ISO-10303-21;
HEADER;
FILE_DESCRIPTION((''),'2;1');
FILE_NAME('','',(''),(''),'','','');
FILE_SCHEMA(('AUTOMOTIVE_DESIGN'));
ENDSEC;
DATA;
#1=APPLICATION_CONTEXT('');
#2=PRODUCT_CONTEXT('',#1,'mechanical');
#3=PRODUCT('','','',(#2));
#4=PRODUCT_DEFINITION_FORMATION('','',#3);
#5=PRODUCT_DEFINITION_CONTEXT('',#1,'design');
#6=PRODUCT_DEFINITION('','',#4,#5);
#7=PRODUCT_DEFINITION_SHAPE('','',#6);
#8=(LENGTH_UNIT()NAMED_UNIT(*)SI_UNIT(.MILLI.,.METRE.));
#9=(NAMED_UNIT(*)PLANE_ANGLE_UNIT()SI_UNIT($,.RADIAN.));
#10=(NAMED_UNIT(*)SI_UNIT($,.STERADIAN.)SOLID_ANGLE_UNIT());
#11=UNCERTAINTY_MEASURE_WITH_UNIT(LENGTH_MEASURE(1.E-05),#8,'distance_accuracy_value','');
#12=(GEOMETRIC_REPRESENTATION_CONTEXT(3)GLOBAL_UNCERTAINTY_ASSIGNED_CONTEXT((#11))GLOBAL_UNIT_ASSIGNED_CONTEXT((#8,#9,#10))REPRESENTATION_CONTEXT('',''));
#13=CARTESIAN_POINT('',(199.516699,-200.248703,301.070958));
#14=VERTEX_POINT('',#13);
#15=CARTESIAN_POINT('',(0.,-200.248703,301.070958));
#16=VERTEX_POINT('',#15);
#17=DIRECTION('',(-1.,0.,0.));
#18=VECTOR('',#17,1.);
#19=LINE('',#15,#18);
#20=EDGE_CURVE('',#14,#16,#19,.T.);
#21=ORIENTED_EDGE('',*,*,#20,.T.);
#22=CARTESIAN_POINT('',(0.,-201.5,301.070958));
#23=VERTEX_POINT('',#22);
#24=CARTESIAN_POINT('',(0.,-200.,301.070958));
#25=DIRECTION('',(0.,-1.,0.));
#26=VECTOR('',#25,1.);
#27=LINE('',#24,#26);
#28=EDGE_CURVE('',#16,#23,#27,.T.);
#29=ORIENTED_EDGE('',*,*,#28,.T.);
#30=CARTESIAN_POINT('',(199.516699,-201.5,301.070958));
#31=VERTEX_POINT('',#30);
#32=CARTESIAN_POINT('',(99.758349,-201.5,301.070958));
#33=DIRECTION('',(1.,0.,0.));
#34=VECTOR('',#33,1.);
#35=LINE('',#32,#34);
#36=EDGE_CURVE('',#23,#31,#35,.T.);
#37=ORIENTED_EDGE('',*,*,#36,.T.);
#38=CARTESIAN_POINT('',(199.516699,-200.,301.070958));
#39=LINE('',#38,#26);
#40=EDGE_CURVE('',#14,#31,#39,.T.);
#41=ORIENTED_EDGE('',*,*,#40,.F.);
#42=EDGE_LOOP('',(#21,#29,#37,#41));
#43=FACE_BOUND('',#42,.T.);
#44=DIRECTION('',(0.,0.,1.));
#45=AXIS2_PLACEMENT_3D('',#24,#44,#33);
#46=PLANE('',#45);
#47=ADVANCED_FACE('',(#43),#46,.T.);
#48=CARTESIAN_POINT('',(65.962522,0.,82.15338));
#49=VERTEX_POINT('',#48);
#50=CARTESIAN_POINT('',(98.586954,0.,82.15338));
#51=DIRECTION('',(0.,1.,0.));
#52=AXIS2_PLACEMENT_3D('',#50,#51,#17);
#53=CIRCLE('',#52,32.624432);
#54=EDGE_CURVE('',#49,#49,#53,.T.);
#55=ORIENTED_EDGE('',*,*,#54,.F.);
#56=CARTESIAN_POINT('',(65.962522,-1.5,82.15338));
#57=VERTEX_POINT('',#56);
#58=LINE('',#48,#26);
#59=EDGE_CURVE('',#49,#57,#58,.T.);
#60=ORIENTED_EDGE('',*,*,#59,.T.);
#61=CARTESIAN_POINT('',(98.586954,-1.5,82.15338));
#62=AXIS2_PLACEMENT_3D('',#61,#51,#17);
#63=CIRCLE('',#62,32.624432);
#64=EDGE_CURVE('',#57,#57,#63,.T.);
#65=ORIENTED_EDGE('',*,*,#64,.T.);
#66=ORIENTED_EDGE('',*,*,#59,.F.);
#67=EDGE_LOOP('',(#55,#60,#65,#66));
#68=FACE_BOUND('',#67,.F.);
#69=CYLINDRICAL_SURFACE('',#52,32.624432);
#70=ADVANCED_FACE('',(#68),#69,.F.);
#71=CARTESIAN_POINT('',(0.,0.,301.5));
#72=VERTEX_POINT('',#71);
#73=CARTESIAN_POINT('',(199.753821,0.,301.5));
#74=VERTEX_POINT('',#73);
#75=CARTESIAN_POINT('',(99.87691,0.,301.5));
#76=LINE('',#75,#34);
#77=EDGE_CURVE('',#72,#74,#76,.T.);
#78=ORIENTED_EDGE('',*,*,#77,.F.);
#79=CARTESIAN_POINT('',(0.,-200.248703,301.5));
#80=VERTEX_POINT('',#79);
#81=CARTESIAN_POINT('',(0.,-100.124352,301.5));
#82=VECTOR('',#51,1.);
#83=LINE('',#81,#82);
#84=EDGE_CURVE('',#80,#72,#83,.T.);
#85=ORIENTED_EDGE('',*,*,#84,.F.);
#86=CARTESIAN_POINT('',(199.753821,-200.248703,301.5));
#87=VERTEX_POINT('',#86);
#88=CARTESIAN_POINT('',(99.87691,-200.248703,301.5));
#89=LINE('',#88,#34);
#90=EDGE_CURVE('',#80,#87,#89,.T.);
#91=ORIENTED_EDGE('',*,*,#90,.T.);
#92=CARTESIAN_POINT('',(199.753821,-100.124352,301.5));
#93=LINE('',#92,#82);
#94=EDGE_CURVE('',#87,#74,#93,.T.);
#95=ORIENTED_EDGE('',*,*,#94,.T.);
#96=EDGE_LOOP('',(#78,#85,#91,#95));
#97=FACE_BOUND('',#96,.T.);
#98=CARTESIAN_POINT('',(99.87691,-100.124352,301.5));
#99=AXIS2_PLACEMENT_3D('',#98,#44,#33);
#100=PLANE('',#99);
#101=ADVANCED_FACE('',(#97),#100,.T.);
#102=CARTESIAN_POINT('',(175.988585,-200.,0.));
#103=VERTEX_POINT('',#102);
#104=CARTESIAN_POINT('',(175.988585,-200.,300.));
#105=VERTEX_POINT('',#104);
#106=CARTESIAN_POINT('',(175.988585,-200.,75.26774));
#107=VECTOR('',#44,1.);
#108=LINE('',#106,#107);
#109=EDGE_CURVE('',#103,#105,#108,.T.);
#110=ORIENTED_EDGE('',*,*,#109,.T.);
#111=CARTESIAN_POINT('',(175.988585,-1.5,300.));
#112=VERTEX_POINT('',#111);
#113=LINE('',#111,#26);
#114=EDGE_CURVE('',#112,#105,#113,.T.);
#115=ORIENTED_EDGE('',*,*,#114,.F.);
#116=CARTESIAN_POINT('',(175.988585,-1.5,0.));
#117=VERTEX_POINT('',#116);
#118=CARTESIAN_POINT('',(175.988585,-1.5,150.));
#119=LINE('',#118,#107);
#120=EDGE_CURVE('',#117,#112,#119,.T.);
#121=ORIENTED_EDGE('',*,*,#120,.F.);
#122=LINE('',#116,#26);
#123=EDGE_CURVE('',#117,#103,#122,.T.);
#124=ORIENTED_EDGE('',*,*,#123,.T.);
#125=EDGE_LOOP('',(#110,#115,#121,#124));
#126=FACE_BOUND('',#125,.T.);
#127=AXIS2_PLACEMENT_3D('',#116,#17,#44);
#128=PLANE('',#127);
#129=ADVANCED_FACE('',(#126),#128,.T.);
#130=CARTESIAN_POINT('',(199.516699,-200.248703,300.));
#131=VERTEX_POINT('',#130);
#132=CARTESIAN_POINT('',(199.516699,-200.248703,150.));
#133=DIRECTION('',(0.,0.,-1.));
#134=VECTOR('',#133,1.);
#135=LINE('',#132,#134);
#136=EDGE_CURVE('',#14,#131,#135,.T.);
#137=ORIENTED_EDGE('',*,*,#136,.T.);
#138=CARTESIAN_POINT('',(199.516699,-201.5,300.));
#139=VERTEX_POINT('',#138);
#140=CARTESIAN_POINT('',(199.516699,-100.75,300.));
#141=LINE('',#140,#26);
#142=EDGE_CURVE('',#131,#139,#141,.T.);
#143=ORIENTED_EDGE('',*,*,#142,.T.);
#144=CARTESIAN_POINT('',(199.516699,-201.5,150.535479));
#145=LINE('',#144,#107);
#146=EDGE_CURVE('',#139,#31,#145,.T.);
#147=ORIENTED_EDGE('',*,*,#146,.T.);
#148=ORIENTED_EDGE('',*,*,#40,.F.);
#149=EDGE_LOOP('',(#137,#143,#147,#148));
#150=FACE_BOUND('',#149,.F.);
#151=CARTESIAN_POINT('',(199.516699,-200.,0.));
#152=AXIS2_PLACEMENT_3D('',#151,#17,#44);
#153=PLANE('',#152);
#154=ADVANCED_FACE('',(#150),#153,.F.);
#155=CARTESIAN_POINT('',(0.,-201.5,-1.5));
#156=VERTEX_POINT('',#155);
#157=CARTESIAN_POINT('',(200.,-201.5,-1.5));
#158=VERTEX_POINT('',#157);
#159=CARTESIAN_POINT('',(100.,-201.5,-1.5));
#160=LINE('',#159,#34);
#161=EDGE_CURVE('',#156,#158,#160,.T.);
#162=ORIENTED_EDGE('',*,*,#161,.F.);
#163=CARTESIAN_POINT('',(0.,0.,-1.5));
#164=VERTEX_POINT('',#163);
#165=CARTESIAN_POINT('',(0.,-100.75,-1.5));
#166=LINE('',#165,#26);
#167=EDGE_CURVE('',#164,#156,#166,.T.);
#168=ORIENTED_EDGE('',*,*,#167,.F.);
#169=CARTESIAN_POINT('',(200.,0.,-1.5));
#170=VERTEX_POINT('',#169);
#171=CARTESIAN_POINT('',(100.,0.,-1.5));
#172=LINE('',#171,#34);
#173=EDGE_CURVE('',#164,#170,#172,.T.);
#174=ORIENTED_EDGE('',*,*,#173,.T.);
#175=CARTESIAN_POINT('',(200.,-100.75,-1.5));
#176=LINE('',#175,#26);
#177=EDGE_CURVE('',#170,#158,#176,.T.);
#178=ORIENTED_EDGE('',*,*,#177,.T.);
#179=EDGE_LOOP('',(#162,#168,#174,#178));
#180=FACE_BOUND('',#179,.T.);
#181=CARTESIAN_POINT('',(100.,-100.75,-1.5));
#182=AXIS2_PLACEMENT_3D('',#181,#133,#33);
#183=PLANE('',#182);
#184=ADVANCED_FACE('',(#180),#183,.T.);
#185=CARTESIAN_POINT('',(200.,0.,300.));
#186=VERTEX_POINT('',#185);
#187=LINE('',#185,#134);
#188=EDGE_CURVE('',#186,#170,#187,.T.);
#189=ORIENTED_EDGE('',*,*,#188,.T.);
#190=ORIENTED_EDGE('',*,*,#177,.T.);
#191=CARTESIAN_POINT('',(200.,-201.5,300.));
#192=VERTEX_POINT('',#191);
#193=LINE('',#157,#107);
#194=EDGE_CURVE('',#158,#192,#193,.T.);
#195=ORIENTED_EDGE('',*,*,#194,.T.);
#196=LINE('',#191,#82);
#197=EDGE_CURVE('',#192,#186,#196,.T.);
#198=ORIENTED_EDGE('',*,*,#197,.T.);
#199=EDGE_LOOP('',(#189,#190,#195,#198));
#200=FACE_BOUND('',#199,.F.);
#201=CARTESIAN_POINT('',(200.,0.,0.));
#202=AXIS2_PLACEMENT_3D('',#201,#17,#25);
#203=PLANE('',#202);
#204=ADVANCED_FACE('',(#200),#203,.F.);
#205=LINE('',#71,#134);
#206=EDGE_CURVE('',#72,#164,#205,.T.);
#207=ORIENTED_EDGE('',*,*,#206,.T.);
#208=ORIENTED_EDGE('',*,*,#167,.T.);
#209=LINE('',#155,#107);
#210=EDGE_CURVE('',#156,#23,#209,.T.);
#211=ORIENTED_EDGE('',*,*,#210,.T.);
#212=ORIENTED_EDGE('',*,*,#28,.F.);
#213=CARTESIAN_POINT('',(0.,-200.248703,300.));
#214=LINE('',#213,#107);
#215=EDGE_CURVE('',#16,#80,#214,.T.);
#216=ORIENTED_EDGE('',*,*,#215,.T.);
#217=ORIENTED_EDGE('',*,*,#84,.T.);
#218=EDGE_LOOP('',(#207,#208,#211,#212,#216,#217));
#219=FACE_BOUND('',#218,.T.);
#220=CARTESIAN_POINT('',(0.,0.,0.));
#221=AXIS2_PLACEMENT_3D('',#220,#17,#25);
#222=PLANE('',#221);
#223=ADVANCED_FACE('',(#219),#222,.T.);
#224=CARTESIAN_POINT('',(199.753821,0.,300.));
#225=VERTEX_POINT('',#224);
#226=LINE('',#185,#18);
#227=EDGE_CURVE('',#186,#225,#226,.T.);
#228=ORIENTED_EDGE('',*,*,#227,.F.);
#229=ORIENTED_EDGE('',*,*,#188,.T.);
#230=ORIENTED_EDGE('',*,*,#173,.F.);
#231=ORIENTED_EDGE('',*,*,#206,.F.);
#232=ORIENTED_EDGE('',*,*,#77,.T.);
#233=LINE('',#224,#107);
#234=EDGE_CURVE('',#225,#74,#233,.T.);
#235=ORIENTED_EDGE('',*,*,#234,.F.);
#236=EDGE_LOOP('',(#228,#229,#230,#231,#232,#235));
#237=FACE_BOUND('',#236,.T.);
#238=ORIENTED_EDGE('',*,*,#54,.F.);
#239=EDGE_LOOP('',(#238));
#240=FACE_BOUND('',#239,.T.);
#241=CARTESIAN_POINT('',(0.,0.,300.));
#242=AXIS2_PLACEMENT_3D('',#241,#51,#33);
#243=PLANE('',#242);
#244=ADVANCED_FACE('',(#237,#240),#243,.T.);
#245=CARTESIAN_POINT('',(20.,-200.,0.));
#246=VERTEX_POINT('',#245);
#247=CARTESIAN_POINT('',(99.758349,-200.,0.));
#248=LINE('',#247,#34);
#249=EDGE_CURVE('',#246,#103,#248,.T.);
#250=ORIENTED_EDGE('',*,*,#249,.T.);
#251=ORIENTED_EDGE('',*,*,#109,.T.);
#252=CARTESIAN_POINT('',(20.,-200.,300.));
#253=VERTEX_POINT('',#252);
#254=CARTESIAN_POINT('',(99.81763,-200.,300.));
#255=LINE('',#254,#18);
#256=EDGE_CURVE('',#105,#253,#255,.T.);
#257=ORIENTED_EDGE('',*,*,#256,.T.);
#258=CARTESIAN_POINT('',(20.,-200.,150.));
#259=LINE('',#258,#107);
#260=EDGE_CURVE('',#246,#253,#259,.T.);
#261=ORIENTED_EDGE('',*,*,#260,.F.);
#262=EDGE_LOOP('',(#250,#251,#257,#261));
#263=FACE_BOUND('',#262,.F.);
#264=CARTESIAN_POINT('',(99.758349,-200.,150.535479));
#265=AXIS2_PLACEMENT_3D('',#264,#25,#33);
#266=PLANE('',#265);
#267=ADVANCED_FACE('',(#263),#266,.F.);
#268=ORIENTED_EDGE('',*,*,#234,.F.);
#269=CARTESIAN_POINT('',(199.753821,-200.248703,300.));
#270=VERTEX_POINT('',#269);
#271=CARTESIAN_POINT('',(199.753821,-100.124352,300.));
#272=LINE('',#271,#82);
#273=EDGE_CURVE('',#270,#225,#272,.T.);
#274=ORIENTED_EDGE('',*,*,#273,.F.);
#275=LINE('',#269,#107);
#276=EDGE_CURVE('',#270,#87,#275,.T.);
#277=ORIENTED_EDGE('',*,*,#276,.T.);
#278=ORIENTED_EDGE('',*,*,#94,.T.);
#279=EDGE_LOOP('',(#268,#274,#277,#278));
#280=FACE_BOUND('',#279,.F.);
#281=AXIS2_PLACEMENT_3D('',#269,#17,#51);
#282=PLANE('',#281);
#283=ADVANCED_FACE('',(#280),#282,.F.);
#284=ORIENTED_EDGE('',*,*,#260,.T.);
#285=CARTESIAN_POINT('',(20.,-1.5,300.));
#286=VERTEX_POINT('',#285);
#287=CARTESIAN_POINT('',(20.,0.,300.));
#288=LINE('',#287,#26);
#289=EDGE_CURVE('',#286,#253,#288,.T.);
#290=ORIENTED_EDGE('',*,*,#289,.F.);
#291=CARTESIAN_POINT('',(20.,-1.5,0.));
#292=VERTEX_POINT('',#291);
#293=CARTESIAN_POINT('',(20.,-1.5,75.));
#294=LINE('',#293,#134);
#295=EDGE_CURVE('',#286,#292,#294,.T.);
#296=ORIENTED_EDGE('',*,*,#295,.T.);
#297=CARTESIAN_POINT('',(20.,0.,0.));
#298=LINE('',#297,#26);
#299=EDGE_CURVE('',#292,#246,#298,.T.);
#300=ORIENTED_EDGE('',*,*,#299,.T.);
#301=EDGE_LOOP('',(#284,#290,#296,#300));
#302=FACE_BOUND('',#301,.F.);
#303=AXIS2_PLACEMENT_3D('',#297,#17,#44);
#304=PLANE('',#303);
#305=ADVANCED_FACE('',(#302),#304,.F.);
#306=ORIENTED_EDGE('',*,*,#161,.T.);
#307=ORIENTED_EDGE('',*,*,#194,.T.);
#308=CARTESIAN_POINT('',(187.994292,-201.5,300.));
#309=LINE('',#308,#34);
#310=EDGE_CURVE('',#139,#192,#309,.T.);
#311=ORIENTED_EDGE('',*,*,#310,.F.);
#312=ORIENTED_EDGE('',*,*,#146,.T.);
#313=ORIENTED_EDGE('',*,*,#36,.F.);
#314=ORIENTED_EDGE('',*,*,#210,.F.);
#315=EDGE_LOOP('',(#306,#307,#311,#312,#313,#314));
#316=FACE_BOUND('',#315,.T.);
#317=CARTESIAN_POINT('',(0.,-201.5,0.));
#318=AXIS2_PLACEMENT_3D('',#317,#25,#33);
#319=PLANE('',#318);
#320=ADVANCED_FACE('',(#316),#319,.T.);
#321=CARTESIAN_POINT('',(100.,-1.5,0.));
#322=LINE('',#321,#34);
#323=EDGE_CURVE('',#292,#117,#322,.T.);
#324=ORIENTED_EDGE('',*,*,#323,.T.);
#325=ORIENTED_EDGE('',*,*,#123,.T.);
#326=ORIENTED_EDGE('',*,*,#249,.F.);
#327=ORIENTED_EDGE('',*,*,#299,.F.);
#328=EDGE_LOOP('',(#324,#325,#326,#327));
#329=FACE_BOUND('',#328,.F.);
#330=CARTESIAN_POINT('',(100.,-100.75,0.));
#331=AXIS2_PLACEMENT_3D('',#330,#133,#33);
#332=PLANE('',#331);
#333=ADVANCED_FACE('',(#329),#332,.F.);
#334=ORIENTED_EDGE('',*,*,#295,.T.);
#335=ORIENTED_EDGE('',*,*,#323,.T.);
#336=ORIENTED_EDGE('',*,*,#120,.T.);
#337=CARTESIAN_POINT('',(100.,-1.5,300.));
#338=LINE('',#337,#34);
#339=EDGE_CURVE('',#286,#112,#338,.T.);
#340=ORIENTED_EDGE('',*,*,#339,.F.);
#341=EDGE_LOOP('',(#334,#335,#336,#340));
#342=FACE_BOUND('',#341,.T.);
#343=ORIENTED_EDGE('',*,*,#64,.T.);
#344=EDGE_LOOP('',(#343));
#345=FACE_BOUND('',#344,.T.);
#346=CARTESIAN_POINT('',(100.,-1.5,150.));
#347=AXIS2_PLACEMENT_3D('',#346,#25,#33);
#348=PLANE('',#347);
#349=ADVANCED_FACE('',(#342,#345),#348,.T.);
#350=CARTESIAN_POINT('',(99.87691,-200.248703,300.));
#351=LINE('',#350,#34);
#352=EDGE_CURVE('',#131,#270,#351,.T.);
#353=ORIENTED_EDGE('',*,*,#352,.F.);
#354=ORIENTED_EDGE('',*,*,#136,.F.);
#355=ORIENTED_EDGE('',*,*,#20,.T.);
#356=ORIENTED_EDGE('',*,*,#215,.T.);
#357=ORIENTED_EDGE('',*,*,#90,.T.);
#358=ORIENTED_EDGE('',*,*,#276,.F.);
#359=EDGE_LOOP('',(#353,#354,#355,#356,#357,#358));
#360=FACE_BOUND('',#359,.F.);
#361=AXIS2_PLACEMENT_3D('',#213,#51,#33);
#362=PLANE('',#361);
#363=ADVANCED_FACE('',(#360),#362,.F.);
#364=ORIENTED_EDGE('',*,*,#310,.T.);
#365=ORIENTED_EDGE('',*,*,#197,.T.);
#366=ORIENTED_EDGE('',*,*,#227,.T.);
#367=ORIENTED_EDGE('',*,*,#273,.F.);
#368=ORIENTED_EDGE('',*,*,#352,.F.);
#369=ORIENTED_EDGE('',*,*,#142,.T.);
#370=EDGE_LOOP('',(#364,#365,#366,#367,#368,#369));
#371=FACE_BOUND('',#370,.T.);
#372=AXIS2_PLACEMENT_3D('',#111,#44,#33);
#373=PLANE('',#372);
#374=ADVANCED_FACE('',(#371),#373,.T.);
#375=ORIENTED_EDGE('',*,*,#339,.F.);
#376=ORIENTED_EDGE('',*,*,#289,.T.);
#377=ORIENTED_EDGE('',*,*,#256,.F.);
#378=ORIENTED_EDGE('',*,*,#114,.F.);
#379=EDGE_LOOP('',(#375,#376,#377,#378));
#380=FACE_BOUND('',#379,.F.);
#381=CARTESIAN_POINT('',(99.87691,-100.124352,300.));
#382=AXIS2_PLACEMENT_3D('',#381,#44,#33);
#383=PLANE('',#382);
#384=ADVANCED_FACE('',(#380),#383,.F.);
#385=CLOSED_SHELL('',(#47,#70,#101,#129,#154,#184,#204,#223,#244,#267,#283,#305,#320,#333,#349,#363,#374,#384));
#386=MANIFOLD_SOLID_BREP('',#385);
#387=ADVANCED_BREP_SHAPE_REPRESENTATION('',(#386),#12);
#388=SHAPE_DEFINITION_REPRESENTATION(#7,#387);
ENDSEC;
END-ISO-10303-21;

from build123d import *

# Parameters (mm, degrees)
F0_W      = 200
F0_H      = 300
F1_DEPTH  = 1.5
F2_W      = 20
F2_H      = 300
F3_DEPTH  = 200
F4_W      = 24.0114152431
F4_H      = 300
F5_DEPTH  = 200
F6_W      = 199.5166987181
F6_H      = 301.0709583759
F7_DEPTH  = 1.5
F9_R      = 32.6244324659
F10_DEPTH = 1.5
F11_W     = 200
F11_H     = 201.5
F12_DEPTH = 1.5
F13_W     = 199.7538208961
F13_H     = 200.2487033606
F14_DEPTH = 1.5


with BuildPart() as f1:
    # F0 (on Front) → F1 (new body)
    with BuildSketch(Plane.XZ):
        with Locations((100, 150)):
            Rectangle(F0_W, F0_H)
    extrude(amount=F1_DEPTH)

    # F2 (on Front) → F3 (join)
    with BuildSketch(Plane.XZ):
        with Locations((10, 150)):
            Rectangle(F2_W, F2_H)
    extrude(amount=F3_DEPTH)

    # F4 (on face) → F5 (join)
    with BuildSketch(Plane.XZ.offset(1.5)):
        with Locations((187.9942923784, 150)):
            Rectangle(F4_W, F4_H)
    extrude(amount=F5_DEPTH)

    # F6 (on face) → F7 (join)
    with BuildSketch(Plane.XZ.offset(200)):
        with Locations((99.758349359, 150.535479188)):
            Rectangle(F6_W, F6_H)
    extrude(amount=F7_DEPTH)

    # F9 (on face) → F10 (cut)
    with BuildSketch(Plane(origin=(0, 0, 0), x_dir=(-1, 0, 0), z_dir=(0, 1, 0))):
        with Locations((-98.5869541764, 82.1533799171)):
            Circle(F9_R)
    extrude(amount=-F10_DEPTH, mode=Mode.SUBTRACT)

    # F11 (on face) → F12 (join)
    with BuildSketch(Plane(origin=(0, 0, 0), x_dir=(1, 0, 0), z_dir=(0, 0, -1))):
        with Locations((100, 100.75)):
            Rectangle(F11_W, F11_H)
    extrude(amount=F12_DEPTH)

    # F13 (on face) → F14 (join)
    with BuildSketch(Plane.XY.offset(300)):
        with Locations((99.8769104481, -100.1243516803)):
            Rectangle(F13_W, F13_H)
    extrude(amount=F14_DEPTH)


solid = f1.part
